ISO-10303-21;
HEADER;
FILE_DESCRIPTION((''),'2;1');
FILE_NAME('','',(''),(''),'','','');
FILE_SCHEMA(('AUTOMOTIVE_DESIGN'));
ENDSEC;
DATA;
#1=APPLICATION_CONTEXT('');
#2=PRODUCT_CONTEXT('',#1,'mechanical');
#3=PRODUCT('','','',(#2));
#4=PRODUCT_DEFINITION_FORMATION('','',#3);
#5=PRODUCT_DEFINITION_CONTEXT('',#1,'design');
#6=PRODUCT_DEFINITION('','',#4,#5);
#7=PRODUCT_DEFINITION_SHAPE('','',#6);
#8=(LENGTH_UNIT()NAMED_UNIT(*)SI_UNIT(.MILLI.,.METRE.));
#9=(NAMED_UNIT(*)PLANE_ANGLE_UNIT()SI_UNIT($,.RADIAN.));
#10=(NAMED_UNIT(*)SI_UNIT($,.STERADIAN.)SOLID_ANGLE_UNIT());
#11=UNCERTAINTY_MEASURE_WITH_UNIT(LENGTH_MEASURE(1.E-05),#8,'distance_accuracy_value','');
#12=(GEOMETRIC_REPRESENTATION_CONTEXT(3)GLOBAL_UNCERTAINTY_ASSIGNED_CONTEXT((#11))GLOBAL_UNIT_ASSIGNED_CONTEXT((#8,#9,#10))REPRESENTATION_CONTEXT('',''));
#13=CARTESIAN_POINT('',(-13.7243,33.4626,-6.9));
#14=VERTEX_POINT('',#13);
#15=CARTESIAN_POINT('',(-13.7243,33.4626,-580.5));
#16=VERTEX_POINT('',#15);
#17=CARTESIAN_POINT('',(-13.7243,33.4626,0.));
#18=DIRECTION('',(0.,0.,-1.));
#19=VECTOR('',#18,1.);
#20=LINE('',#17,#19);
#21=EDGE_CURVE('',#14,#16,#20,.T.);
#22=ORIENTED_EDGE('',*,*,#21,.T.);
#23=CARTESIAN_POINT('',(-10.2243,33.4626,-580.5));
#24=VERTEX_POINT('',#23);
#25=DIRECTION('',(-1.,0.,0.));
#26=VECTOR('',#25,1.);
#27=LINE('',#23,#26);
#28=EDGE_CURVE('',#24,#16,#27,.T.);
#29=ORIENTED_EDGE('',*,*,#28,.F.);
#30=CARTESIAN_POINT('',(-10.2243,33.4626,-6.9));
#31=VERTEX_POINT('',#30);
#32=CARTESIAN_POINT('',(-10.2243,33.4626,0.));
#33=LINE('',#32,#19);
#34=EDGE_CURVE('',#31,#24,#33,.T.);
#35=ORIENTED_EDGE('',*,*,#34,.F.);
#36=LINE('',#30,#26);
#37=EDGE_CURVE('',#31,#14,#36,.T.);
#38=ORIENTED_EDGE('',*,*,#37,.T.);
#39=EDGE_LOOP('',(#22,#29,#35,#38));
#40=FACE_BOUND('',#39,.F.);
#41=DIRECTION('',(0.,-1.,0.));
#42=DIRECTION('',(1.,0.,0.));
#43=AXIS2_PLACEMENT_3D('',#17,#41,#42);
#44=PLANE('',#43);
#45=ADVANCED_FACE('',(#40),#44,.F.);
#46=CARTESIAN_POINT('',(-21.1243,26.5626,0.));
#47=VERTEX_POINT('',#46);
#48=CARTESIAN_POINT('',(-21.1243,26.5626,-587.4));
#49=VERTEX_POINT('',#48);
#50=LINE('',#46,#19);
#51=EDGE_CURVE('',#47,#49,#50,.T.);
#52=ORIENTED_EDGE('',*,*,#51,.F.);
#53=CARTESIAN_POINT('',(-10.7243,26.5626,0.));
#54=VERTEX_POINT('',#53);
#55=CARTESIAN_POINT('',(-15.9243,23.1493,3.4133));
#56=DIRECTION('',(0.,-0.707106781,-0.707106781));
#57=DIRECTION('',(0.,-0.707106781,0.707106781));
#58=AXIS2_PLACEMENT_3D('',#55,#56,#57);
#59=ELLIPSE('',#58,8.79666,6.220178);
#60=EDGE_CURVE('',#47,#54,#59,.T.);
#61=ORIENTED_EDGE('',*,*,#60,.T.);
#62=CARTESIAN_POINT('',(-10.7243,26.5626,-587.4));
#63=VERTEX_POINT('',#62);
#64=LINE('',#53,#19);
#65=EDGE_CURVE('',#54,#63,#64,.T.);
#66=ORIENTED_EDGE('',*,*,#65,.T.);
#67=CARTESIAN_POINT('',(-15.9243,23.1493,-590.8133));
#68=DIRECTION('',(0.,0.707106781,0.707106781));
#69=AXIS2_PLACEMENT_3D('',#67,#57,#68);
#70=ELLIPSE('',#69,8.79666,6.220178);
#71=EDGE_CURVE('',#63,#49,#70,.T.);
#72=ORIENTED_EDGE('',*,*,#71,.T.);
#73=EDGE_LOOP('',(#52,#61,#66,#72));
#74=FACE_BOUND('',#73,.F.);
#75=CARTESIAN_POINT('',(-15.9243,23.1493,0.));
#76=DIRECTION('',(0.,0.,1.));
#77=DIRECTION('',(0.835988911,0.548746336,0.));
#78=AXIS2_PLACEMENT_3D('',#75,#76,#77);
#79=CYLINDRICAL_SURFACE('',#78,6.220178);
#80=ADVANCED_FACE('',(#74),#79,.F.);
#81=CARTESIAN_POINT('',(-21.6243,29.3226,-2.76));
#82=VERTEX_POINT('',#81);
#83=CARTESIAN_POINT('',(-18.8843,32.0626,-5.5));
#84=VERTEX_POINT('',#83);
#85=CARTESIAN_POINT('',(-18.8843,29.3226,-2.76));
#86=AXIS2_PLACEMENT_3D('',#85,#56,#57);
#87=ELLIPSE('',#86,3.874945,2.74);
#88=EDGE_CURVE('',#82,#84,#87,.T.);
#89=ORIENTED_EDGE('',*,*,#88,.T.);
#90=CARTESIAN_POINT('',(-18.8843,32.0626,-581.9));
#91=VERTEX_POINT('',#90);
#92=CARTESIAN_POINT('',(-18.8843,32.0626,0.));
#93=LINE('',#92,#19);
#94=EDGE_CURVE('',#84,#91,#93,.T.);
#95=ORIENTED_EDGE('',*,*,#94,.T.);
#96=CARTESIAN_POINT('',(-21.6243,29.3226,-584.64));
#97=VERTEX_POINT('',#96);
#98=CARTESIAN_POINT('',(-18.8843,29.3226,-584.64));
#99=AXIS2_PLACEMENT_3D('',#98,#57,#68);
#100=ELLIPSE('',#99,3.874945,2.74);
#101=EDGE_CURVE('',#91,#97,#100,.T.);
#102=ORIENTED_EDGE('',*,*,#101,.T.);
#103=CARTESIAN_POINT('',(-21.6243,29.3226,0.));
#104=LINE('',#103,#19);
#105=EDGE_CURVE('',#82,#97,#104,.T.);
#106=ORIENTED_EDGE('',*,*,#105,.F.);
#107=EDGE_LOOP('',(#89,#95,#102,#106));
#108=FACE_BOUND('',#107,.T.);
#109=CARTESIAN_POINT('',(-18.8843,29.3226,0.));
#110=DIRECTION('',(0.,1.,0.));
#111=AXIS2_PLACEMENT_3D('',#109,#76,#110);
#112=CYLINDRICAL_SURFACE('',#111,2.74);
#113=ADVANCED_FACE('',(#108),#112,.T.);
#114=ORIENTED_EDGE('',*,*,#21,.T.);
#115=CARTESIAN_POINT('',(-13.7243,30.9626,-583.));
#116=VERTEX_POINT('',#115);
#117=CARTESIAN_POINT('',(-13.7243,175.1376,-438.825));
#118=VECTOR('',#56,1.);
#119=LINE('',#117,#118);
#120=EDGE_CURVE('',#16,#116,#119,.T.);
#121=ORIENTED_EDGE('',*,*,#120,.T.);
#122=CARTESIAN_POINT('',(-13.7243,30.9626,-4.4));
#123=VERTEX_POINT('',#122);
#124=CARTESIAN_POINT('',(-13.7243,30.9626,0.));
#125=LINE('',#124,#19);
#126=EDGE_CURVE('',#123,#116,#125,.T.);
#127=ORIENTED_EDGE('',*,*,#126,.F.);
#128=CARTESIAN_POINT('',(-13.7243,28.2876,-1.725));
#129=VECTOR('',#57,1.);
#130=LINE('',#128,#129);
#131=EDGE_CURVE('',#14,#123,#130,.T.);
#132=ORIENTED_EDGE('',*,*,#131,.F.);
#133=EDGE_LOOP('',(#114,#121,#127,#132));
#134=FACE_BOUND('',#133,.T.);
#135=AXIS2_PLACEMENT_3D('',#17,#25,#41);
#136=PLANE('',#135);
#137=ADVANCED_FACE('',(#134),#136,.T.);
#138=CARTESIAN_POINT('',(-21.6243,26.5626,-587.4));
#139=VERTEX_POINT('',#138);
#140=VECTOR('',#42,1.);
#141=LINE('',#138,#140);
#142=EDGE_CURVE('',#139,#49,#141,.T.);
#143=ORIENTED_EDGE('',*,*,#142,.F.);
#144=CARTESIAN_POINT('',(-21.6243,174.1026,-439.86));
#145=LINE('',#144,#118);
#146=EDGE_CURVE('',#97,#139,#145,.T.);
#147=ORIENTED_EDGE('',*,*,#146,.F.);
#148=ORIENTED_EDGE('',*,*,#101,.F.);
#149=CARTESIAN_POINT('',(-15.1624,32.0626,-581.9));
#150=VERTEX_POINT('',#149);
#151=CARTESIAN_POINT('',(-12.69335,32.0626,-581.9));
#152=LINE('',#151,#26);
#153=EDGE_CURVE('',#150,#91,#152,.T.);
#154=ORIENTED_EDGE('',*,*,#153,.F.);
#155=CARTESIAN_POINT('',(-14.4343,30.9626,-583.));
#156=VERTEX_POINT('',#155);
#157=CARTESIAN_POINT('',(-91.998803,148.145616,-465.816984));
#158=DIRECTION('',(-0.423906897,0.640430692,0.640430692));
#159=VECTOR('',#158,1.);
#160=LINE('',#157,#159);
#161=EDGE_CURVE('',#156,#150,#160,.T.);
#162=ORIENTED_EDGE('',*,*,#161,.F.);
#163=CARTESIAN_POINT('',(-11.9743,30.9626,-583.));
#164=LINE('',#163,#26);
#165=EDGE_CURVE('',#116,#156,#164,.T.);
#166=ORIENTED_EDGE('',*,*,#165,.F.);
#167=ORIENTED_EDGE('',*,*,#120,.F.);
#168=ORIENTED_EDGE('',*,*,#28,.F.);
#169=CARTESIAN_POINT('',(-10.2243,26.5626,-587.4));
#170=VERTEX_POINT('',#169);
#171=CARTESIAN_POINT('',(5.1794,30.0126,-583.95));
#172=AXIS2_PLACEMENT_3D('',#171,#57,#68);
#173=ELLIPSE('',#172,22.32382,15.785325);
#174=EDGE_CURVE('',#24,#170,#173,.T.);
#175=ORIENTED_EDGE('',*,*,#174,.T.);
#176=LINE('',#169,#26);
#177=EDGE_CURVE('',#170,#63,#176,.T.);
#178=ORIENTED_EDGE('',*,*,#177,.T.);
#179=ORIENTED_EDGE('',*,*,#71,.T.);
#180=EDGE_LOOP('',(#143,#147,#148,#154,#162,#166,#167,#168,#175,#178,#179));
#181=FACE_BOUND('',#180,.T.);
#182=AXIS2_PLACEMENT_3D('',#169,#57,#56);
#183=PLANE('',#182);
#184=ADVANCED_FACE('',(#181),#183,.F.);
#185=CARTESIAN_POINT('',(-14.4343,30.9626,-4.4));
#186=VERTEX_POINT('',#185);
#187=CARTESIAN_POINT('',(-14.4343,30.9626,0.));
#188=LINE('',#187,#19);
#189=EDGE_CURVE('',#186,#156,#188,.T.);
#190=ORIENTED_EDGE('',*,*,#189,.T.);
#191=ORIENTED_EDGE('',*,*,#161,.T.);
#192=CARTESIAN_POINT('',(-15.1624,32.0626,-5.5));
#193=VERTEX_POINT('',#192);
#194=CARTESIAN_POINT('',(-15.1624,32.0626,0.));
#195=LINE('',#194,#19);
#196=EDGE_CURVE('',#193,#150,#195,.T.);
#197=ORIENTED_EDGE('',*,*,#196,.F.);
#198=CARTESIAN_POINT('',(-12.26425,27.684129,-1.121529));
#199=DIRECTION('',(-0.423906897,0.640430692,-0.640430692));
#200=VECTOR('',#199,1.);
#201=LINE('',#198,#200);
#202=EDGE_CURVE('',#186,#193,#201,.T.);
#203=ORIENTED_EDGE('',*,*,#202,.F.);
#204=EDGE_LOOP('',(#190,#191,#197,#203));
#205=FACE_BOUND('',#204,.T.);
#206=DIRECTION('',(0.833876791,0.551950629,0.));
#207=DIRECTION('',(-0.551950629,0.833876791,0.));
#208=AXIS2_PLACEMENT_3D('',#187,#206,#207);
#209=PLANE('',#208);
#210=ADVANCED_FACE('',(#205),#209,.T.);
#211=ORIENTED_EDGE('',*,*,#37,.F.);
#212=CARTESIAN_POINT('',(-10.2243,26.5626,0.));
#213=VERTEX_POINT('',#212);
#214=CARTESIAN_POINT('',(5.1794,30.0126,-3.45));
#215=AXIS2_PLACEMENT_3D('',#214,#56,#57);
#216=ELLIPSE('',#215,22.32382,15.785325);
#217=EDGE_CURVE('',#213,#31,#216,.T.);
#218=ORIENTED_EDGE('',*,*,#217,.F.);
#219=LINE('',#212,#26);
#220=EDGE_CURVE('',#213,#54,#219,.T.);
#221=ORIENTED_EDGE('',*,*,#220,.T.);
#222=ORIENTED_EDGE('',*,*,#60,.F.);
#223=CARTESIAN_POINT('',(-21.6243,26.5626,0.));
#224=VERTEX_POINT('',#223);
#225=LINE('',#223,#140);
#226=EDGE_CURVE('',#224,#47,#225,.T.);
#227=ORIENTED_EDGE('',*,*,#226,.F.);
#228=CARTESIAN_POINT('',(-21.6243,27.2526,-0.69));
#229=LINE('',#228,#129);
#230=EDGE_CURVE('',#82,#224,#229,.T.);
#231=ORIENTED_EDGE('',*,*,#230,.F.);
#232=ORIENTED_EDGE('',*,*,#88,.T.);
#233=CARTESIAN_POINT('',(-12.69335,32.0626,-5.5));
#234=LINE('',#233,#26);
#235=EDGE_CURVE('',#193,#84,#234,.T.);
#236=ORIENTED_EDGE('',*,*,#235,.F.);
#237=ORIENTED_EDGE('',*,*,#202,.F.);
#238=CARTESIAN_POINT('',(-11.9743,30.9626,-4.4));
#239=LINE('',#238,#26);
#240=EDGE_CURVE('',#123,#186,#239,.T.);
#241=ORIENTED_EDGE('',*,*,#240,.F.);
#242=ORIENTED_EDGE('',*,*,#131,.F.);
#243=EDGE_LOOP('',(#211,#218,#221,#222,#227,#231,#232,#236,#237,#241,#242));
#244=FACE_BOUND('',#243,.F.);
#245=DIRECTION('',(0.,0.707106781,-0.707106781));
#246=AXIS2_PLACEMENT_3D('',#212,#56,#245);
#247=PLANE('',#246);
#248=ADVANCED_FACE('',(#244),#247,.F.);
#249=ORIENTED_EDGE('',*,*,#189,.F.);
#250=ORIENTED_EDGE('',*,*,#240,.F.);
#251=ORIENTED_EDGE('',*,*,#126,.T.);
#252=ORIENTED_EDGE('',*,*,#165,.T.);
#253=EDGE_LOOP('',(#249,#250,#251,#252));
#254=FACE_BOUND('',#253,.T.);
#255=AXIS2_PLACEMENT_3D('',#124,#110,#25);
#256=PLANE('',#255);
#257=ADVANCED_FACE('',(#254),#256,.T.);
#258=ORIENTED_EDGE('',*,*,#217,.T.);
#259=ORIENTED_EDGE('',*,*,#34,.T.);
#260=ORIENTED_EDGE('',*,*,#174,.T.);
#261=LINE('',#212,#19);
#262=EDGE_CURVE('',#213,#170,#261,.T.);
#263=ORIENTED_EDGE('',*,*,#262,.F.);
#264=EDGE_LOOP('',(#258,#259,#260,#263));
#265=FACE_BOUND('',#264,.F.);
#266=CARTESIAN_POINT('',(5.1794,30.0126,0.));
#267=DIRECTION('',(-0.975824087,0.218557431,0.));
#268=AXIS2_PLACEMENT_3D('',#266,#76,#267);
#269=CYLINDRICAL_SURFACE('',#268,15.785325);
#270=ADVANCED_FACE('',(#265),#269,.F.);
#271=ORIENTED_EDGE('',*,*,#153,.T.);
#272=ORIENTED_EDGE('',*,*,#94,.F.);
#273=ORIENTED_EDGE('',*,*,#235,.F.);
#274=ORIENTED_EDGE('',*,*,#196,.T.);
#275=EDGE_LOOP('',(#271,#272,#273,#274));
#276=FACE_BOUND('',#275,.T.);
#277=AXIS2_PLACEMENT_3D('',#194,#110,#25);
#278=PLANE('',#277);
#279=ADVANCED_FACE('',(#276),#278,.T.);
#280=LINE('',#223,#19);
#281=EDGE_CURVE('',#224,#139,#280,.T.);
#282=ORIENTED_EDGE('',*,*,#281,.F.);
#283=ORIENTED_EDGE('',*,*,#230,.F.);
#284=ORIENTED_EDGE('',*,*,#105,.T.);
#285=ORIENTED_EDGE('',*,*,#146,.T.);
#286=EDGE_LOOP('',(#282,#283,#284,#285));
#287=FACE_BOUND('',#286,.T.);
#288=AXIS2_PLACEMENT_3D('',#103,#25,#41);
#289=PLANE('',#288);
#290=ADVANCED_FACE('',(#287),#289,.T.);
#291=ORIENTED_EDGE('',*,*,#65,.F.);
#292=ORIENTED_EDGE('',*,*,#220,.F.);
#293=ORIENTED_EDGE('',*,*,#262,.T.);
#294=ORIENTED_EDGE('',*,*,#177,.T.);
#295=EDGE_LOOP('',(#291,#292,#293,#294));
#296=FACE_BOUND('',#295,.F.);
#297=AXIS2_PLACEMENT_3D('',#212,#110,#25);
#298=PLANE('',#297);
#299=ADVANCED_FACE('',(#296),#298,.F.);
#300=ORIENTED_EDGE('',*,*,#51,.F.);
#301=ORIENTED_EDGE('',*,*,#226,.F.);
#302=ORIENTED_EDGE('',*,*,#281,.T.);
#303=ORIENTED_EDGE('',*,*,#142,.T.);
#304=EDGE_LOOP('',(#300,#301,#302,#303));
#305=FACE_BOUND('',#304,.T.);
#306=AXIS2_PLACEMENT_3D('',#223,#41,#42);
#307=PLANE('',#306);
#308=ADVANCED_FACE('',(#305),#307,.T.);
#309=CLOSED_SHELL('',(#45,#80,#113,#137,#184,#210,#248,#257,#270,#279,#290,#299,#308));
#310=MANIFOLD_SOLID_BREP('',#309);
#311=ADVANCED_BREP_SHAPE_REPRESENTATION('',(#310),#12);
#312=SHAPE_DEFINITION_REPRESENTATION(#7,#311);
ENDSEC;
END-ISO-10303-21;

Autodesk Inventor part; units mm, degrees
ref_plane "YZ Plane" through (0, 0, 0) normal (1, 0, 0) x (0, 1, 0)
ref_plane "XZ Plane" through (0, 0, 0) normal (0, 1, 0) x (-1, 0, 0)
sketch "Boceto3" plane through (0, 0, 0) normal (0, 0, 1) x (1, 0, 0)
  line L0 (-15.1624, 32.0626) -> (-18.8843, 32.0626)
  line L1 (-13.7243, 33.4626) -> (-13.7243, 30.9626)
  line L2 (-13.7243, 30.9626) -> (-14.4343, 30.9626)
  line L3 (-14.4343, 30.9626) -> (-15.1624, 32.0626)
  arc A0 (-18.8843, 32.0626) -> (-21.6243, 29.3226) centre (-18.8843, 29.3226) ccw
  line L4 (-13.7243, 33.4626) -> (-10.2243, 33.4626)
  line L5 (-21.6243, 29.3226) -> (-21.6243, 26.5626)
  arc A1 (-10.2243, 33.4626) -> (-10.2243, 26.5626) centre (5.1794, 30.0126) ccw
  line L6 (-21.6243, 26.5626) -> (-21.1243, 26.5626)
  line L7 (-10.2243, 26.5626) -> (-10.7243, 26.5626)
  arc A2 (-10.7243, 26.5626) -> (-21.1243, 26.5626) centre (-15.9243, 23.1493) ccw
  dimension "d218" = 2.5
  dimension "d219" = 0.71
  dimension "d221" = 33.5
  dimension "d223" = 2.74
  dimension "d281" = 3.5
  dimension "d288" = 2.76
  dimension "d291" = 0.5
  dimension "d292" = 0.5
extrude "Extrusión4" add sketch "Boceto3" against normal blind 587.4
ref_plane "Plano de trabajo2" through (-10.2243, 33.4626, 0) normal (-1, 0, 0) x (0, 0, -1)
ref_plane "Plano de trabajo4" through (0, 0, -293.7) normal (0, 0, 1) x (1, 0, 0)
sketch "Boceto5" plane through (-10.2243, 33.4626, 0) normal (-1, 0, 0) x (0, 0, -1)
  line L0 (0, 0) -> (0, 6.9) projected
  line L1 (0, 6.9) -> (6.9, 0)
  line L2 (0, 0) -> (587.4, 0) projected
  line L3 (6.9, 0) -> (0, 0)
  line L4 (0, 0) -> (0, 6.9)
  point P0 (0, 33.4626)
  dimension "d296" = 45
extrude "Extrusión6" cut sketch "Boceto5" along normal through all
mirror "Simetría3" about plane through (0, 0, -293.7) normal (0, 0, 1) of "Extrusión6"
properties part number "SP40-10 JUNTA INT CRISTAL 587 mm" material "Caucho"
